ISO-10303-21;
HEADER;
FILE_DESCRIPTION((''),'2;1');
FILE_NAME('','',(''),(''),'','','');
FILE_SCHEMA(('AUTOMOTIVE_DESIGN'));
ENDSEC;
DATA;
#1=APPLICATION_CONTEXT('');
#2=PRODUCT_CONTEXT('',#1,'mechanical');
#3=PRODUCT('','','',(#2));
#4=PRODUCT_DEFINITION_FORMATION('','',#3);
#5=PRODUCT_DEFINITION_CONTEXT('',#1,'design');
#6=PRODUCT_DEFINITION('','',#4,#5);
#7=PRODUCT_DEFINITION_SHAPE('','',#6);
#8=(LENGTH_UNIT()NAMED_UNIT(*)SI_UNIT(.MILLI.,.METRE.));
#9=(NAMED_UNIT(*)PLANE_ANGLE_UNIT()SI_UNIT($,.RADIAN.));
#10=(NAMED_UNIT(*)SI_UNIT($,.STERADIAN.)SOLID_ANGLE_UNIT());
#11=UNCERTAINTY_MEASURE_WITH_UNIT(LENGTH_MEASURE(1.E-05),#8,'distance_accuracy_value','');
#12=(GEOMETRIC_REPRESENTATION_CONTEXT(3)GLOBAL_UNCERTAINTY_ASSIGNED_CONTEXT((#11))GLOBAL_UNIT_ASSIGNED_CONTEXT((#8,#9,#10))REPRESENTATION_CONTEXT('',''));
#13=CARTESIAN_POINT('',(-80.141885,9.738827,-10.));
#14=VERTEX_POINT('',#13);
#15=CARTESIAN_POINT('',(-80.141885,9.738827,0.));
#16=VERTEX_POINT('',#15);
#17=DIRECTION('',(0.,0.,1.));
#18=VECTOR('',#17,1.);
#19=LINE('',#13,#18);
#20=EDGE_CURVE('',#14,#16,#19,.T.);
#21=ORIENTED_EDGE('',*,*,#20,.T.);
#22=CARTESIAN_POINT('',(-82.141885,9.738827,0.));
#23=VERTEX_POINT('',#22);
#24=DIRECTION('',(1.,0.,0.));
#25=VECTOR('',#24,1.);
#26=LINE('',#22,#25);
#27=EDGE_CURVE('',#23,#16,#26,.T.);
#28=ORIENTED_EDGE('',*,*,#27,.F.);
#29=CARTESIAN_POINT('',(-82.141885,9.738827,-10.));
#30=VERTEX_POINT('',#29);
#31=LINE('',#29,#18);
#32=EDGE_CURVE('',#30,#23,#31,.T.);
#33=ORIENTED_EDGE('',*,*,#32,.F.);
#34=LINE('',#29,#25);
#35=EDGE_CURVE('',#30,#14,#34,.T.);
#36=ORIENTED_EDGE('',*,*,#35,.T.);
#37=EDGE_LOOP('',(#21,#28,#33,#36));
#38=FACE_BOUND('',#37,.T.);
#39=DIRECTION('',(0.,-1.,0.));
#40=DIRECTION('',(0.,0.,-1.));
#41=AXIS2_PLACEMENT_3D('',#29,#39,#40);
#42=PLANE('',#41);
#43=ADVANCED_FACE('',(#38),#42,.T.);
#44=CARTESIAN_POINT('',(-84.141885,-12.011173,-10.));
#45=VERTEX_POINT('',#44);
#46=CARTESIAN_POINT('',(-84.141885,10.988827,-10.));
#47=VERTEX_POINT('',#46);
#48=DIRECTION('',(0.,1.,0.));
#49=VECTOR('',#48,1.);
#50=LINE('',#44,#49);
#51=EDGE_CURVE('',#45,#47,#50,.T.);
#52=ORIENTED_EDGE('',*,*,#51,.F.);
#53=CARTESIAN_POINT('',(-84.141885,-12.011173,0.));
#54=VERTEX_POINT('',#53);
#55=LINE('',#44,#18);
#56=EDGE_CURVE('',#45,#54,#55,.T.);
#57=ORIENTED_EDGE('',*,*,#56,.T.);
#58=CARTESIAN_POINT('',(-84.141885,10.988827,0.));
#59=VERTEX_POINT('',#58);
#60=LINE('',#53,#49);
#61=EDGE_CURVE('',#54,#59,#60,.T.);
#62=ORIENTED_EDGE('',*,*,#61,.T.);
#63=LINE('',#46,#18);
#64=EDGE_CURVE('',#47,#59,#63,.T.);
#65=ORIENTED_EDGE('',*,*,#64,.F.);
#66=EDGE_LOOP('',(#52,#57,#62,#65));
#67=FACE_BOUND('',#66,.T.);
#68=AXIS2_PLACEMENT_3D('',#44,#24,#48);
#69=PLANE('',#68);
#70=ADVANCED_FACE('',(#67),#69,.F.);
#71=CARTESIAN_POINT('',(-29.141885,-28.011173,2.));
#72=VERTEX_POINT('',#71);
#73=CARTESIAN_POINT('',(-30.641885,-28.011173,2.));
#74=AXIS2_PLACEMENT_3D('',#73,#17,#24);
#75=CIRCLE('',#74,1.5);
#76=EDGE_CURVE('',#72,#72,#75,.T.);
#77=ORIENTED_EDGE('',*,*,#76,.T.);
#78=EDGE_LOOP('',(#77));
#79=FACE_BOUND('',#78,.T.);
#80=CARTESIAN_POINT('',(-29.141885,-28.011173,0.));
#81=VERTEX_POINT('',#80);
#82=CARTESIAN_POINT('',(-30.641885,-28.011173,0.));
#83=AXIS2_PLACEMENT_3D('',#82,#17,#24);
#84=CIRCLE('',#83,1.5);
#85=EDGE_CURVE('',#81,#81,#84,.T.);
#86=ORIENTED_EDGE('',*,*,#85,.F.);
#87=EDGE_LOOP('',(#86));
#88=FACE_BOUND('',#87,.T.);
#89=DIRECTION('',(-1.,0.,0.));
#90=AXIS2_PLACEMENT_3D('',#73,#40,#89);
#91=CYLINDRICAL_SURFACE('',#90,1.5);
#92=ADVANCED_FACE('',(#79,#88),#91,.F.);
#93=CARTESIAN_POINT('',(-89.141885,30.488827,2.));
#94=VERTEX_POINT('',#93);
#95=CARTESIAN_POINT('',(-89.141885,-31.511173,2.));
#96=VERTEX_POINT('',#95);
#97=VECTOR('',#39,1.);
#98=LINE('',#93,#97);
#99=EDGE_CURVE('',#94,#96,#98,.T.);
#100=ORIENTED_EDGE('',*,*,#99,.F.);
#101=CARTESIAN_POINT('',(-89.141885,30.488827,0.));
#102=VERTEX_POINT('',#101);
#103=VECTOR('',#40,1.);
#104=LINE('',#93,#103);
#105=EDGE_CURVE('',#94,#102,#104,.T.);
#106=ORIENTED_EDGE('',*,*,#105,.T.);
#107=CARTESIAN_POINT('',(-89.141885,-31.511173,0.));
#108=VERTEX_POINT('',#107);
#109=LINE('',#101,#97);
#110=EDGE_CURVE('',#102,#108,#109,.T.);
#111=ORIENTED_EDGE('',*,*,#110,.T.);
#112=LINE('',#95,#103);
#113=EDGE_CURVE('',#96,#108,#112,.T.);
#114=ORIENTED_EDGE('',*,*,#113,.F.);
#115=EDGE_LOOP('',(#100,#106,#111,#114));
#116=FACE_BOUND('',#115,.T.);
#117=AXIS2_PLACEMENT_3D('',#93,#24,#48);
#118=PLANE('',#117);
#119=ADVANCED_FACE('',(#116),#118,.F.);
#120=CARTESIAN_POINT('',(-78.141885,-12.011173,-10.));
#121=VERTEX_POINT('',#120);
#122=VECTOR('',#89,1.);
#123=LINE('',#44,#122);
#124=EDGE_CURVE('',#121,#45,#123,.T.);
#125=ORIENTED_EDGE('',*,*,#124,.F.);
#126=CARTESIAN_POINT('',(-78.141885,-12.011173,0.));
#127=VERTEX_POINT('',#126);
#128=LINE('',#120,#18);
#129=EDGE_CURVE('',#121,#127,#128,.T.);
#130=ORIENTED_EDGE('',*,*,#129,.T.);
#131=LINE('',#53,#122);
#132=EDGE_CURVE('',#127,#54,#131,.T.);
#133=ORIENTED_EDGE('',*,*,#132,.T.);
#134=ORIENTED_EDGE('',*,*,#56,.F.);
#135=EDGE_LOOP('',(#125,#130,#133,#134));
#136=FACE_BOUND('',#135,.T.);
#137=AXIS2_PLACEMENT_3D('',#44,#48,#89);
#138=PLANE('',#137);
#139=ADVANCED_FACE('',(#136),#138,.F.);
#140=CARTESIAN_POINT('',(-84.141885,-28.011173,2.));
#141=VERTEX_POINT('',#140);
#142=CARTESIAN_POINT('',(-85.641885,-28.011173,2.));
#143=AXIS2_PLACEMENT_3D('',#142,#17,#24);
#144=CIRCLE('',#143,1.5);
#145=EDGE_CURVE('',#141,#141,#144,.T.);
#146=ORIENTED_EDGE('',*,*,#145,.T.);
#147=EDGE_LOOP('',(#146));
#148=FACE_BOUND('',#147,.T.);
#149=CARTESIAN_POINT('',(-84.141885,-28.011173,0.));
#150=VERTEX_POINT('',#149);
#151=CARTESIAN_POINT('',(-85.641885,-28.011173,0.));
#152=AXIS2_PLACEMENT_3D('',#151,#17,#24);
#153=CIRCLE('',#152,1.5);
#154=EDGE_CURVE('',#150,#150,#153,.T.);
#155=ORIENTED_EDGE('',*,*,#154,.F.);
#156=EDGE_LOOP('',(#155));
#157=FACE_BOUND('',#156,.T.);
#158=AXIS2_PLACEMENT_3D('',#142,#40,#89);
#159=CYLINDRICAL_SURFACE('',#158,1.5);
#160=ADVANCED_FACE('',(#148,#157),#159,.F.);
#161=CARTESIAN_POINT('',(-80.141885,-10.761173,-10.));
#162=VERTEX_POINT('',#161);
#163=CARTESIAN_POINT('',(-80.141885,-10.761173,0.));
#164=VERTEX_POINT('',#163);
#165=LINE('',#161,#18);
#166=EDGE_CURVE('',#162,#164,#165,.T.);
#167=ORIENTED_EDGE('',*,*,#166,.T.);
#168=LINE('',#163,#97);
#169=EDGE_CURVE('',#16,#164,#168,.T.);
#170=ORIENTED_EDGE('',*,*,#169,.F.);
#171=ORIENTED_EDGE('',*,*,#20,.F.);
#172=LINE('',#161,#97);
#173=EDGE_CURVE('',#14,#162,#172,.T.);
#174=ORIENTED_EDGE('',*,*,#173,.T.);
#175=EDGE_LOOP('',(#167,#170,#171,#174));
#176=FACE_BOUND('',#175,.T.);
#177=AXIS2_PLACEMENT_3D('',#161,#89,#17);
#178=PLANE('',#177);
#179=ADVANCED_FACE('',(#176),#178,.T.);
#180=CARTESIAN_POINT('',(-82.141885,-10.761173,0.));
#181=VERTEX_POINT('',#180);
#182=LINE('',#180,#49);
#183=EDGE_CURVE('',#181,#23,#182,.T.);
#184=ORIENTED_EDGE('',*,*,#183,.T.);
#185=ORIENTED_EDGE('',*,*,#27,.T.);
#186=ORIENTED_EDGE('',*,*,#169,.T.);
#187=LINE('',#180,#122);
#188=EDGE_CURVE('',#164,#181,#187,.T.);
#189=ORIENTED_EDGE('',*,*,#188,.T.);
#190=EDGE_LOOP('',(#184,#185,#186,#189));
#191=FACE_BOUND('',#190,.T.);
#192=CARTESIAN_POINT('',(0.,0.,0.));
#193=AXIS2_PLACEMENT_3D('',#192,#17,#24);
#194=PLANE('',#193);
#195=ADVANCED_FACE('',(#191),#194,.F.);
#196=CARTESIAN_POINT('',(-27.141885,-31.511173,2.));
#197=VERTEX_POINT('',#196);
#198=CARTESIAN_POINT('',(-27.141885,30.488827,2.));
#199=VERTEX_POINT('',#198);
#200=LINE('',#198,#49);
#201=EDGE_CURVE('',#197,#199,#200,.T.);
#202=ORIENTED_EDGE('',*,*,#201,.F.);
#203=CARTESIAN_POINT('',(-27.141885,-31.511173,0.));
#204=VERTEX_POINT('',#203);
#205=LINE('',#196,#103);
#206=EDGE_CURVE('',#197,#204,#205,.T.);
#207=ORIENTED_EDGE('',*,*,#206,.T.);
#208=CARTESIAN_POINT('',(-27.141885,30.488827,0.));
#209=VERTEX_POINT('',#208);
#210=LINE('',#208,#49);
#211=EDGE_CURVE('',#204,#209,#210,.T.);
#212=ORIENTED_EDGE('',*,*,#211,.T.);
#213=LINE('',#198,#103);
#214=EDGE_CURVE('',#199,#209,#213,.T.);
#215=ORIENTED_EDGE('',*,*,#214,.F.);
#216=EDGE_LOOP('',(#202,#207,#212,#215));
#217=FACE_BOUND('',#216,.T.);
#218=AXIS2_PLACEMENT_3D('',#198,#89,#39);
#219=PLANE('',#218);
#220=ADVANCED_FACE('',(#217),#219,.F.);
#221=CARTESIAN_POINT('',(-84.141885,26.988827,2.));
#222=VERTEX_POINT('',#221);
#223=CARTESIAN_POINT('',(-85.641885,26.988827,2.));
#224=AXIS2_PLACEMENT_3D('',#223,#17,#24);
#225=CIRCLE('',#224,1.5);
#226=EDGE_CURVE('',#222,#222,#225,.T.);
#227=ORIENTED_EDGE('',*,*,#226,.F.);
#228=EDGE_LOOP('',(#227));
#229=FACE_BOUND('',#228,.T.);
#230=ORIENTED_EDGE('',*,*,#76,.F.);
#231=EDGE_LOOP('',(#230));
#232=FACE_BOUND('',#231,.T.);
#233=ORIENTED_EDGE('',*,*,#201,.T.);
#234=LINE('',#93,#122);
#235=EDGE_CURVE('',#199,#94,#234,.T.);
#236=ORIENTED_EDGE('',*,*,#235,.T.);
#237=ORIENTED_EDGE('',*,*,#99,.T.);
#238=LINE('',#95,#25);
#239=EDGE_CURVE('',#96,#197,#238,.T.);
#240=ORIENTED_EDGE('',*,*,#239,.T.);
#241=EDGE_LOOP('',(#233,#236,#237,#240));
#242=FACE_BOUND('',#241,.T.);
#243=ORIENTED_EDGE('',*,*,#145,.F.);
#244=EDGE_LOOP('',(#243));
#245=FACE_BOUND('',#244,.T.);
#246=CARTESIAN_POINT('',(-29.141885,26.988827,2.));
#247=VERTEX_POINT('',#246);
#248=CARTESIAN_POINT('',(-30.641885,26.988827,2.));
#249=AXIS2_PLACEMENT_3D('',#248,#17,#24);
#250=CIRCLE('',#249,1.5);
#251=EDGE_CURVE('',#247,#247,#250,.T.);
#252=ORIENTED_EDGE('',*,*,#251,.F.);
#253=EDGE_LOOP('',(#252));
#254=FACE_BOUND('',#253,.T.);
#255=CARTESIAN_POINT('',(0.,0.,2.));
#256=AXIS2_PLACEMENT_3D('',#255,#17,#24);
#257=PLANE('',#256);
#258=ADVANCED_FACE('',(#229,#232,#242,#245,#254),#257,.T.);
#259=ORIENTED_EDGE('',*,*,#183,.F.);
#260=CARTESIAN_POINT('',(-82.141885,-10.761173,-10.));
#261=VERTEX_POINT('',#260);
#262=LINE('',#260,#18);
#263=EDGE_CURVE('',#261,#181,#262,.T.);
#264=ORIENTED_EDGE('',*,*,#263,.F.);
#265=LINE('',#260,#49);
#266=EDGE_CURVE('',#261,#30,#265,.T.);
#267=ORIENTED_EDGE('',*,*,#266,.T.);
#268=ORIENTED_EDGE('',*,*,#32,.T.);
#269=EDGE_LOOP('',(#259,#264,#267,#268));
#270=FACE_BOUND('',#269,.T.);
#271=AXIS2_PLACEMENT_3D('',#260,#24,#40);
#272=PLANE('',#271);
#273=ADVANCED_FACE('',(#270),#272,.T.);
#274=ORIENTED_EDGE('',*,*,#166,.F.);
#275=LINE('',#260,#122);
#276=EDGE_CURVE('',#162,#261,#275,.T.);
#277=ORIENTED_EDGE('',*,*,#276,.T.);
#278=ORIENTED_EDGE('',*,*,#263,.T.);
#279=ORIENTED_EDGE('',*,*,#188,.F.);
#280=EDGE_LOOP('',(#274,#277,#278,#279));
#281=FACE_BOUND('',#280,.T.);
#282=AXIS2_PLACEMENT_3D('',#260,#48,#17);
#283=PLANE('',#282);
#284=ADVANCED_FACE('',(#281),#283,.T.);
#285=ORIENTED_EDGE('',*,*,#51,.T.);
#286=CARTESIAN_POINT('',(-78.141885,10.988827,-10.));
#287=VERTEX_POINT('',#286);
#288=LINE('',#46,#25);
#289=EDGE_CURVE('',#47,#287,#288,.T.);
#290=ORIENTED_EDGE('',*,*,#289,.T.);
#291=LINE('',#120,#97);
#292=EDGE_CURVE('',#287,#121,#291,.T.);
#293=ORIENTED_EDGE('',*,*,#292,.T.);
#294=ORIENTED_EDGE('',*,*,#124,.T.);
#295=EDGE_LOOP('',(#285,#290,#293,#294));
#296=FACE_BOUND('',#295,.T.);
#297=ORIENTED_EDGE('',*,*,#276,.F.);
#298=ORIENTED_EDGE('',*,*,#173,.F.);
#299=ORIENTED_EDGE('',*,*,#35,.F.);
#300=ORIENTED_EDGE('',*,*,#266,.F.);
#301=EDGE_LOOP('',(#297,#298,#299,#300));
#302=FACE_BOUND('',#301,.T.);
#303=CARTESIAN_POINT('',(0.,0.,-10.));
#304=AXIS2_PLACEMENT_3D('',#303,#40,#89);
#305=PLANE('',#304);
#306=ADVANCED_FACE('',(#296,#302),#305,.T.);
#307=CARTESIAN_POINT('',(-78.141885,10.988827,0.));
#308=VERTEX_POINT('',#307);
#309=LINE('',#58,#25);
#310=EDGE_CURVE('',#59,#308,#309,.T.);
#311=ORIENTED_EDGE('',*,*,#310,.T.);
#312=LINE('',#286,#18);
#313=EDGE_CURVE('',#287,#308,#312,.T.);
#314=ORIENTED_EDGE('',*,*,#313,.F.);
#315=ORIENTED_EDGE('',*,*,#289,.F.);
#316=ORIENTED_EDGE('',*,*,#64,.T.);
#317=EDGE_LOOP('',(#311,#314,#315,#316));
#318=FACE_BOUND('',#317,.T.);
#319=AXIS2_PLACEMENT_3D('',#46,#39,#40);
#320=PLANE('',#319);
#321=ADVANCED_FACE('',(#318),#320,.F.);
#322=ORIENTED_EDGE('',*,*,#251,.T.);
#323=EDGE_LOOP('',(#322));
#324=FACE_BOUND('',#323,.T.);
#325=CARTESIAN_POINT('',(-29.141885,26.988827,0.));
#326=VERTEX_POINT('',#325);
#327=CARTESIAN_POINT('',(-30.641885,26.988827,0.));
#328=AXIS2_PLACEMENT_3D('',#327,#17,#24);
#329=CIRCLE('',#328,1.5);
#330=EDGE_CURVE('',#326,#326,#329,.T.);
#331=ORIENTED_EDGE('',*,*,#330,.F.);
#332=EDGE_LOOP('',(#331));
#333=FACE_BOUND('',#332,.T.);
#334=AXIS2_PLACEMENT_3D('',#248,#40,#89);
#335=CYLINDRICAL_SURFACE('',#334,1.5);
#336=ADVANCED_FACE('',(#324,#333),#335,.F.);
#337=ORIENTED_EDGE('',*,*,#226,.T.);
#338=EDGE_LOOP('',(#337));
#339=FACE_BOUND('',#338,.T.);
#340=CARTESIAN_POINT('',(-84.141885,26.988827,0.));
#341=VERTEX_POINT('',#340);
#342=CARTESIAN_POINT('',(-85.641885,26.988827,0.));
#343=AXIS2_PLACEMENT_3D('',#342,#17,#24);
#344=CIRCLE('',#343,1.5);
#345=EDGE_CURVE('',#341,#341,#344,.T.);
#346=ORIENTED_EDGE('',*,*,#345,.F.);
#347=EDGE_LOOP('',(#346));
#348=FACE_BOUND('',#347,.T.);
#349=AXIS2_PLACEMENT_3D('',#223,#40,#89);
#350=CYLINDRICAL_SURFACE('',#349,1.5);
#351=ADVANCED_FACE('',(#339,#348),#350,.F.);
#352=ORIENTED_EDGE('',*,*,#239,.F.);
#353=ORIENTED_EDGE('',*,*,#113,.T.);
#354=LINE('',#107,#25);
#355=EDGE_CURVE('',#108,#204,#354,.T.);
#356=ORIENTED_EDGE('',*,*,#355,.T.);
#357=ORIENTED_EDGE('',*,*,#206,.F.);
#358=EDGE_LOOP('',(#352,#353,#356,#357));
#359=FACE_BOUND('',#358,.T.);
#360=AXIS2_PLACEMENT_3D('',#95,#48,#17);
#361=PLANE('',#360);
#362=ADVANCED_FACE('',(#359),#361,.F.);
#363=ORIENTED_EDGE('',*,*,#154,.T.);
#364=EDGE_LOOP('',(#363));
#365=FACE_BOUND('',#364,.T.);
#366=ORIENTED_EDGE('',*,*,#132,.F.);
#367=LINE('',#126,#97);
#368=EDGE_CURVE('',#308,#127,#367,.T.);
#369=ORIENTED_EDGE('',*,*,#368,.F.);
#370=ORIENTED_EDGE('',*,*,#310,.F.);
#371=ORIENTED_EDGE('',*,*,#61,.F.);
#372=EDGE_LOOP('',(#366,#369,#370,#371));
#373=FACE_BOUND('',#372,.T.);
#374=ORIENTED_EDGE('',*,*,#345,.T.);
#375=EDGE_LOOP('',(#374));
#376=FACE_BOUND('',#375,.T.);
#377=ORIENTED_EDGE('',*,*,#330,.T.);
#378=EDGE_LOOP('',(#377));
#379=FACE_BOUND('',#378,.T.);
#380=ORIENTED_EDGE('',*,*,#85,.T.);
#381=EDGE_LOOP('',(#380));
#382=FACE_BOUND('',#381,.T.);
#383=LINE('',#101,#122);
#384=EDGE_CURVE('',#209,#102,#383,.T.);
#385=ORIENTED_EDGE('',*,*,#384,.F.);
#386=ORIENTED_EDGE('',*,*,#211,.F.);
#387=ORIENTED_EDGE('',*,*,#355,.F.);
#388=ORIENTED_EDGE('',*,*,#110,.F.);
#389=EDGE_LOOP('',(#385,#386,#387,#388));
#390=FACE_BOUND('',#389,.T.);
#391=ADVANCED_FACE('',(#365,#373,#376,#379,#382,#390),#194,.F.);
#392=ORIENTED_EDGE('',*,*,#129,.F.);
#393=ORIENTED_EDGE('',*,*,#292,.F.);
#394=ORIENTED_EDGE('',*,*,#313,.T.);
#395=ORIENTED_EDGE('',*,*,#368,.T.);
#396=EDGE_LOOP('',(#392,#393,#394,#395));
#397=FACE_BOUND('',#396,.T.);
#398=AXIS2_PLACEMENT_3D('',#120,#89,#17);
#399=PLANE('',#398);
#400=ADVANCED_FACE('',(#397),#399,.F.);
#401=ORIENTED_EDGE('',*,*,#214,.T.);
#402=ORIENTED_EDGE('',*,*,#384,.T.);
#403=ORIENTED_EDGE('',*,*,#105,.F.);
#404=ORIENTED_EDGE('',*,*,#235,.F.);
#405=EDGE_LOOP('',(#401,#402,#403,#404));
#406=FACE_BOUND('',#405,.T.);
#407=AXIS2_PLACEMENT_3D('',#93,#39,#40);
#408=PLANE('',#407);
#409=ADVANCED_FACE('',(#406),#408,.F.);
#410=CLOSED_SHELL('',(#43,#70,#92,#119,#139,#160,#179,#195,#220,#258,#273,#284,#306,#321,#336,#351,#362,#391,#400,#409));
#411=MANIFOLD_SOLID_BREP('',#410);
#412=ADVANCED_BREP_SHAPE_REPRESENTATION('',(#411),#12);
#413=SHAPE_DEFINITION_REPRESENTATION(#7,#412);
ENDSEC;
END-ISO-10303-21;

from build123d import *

# Parameters (mm, degrees)
CROQUIS1_W              = 62
CROQUIS1_H              = 62
CROQUIS1_R              = 1.5
SALIENTE_EXTRUIR1_DEPTH = 2
CROQUIS2_W              = 6
CROQUIS2_H              = 23
CROQUIS2_W_2            = 2
CROQUIS2_H_2            = 20.5
SALIENTE_EXTRUIR2_DEPTH = 10


with BuildPart() as part:
    # Croquis1 → Saliente-Extruir1 (new body)
    with BuildSketch(Plane.XY):
        with Locations((-58.141884519, -0.511173184)):
            Rectangle(CROQUIS1_W, CROQUIS1_H)
        with Locations((-85.641884519, 26.988826816)):
            Circle(CROQUIS1_R, mode=Mode.SUBTRACT)
        with Locations((-30.641884519, 26.988826816)):
            Circle(CROQUIS1_R, mode=Mode.SUBTRACT)
        with Locations((-30.641884519, -28.011173184)):
            Circle(CROQUIS1_R, mode=Mode.SUBTRACT)
        with Locations((-85.641884519, -28.011173184)):
            Circle(CROQUIS1_R, mode=Mode.SUBTRACT)
    extrude(amount=SALIENTE_EXTRUIR1_DEPTH)

    # Croquis2 → Saliente-Extruir2 (add)
    with BuildSketch(Plane(origin=(0, 0, 0), x_dir=(-1, 0, 0), z_dir=(0, 0, -1))):
        with Locations((81.141884519, -0.511173184)):
            Rectangle(CROQUIS2_W, CROQUIS2_H)
        with Locations((81.141884519, -0.511173184)):
            Rectangle(CROQUIS2_W_2, CROQUIS2_H_2, mode=Mode.SUBTRACT)
    extrude(amount=SALIENTE_EXTRUIR2_DEPTH)


solid = part.part
